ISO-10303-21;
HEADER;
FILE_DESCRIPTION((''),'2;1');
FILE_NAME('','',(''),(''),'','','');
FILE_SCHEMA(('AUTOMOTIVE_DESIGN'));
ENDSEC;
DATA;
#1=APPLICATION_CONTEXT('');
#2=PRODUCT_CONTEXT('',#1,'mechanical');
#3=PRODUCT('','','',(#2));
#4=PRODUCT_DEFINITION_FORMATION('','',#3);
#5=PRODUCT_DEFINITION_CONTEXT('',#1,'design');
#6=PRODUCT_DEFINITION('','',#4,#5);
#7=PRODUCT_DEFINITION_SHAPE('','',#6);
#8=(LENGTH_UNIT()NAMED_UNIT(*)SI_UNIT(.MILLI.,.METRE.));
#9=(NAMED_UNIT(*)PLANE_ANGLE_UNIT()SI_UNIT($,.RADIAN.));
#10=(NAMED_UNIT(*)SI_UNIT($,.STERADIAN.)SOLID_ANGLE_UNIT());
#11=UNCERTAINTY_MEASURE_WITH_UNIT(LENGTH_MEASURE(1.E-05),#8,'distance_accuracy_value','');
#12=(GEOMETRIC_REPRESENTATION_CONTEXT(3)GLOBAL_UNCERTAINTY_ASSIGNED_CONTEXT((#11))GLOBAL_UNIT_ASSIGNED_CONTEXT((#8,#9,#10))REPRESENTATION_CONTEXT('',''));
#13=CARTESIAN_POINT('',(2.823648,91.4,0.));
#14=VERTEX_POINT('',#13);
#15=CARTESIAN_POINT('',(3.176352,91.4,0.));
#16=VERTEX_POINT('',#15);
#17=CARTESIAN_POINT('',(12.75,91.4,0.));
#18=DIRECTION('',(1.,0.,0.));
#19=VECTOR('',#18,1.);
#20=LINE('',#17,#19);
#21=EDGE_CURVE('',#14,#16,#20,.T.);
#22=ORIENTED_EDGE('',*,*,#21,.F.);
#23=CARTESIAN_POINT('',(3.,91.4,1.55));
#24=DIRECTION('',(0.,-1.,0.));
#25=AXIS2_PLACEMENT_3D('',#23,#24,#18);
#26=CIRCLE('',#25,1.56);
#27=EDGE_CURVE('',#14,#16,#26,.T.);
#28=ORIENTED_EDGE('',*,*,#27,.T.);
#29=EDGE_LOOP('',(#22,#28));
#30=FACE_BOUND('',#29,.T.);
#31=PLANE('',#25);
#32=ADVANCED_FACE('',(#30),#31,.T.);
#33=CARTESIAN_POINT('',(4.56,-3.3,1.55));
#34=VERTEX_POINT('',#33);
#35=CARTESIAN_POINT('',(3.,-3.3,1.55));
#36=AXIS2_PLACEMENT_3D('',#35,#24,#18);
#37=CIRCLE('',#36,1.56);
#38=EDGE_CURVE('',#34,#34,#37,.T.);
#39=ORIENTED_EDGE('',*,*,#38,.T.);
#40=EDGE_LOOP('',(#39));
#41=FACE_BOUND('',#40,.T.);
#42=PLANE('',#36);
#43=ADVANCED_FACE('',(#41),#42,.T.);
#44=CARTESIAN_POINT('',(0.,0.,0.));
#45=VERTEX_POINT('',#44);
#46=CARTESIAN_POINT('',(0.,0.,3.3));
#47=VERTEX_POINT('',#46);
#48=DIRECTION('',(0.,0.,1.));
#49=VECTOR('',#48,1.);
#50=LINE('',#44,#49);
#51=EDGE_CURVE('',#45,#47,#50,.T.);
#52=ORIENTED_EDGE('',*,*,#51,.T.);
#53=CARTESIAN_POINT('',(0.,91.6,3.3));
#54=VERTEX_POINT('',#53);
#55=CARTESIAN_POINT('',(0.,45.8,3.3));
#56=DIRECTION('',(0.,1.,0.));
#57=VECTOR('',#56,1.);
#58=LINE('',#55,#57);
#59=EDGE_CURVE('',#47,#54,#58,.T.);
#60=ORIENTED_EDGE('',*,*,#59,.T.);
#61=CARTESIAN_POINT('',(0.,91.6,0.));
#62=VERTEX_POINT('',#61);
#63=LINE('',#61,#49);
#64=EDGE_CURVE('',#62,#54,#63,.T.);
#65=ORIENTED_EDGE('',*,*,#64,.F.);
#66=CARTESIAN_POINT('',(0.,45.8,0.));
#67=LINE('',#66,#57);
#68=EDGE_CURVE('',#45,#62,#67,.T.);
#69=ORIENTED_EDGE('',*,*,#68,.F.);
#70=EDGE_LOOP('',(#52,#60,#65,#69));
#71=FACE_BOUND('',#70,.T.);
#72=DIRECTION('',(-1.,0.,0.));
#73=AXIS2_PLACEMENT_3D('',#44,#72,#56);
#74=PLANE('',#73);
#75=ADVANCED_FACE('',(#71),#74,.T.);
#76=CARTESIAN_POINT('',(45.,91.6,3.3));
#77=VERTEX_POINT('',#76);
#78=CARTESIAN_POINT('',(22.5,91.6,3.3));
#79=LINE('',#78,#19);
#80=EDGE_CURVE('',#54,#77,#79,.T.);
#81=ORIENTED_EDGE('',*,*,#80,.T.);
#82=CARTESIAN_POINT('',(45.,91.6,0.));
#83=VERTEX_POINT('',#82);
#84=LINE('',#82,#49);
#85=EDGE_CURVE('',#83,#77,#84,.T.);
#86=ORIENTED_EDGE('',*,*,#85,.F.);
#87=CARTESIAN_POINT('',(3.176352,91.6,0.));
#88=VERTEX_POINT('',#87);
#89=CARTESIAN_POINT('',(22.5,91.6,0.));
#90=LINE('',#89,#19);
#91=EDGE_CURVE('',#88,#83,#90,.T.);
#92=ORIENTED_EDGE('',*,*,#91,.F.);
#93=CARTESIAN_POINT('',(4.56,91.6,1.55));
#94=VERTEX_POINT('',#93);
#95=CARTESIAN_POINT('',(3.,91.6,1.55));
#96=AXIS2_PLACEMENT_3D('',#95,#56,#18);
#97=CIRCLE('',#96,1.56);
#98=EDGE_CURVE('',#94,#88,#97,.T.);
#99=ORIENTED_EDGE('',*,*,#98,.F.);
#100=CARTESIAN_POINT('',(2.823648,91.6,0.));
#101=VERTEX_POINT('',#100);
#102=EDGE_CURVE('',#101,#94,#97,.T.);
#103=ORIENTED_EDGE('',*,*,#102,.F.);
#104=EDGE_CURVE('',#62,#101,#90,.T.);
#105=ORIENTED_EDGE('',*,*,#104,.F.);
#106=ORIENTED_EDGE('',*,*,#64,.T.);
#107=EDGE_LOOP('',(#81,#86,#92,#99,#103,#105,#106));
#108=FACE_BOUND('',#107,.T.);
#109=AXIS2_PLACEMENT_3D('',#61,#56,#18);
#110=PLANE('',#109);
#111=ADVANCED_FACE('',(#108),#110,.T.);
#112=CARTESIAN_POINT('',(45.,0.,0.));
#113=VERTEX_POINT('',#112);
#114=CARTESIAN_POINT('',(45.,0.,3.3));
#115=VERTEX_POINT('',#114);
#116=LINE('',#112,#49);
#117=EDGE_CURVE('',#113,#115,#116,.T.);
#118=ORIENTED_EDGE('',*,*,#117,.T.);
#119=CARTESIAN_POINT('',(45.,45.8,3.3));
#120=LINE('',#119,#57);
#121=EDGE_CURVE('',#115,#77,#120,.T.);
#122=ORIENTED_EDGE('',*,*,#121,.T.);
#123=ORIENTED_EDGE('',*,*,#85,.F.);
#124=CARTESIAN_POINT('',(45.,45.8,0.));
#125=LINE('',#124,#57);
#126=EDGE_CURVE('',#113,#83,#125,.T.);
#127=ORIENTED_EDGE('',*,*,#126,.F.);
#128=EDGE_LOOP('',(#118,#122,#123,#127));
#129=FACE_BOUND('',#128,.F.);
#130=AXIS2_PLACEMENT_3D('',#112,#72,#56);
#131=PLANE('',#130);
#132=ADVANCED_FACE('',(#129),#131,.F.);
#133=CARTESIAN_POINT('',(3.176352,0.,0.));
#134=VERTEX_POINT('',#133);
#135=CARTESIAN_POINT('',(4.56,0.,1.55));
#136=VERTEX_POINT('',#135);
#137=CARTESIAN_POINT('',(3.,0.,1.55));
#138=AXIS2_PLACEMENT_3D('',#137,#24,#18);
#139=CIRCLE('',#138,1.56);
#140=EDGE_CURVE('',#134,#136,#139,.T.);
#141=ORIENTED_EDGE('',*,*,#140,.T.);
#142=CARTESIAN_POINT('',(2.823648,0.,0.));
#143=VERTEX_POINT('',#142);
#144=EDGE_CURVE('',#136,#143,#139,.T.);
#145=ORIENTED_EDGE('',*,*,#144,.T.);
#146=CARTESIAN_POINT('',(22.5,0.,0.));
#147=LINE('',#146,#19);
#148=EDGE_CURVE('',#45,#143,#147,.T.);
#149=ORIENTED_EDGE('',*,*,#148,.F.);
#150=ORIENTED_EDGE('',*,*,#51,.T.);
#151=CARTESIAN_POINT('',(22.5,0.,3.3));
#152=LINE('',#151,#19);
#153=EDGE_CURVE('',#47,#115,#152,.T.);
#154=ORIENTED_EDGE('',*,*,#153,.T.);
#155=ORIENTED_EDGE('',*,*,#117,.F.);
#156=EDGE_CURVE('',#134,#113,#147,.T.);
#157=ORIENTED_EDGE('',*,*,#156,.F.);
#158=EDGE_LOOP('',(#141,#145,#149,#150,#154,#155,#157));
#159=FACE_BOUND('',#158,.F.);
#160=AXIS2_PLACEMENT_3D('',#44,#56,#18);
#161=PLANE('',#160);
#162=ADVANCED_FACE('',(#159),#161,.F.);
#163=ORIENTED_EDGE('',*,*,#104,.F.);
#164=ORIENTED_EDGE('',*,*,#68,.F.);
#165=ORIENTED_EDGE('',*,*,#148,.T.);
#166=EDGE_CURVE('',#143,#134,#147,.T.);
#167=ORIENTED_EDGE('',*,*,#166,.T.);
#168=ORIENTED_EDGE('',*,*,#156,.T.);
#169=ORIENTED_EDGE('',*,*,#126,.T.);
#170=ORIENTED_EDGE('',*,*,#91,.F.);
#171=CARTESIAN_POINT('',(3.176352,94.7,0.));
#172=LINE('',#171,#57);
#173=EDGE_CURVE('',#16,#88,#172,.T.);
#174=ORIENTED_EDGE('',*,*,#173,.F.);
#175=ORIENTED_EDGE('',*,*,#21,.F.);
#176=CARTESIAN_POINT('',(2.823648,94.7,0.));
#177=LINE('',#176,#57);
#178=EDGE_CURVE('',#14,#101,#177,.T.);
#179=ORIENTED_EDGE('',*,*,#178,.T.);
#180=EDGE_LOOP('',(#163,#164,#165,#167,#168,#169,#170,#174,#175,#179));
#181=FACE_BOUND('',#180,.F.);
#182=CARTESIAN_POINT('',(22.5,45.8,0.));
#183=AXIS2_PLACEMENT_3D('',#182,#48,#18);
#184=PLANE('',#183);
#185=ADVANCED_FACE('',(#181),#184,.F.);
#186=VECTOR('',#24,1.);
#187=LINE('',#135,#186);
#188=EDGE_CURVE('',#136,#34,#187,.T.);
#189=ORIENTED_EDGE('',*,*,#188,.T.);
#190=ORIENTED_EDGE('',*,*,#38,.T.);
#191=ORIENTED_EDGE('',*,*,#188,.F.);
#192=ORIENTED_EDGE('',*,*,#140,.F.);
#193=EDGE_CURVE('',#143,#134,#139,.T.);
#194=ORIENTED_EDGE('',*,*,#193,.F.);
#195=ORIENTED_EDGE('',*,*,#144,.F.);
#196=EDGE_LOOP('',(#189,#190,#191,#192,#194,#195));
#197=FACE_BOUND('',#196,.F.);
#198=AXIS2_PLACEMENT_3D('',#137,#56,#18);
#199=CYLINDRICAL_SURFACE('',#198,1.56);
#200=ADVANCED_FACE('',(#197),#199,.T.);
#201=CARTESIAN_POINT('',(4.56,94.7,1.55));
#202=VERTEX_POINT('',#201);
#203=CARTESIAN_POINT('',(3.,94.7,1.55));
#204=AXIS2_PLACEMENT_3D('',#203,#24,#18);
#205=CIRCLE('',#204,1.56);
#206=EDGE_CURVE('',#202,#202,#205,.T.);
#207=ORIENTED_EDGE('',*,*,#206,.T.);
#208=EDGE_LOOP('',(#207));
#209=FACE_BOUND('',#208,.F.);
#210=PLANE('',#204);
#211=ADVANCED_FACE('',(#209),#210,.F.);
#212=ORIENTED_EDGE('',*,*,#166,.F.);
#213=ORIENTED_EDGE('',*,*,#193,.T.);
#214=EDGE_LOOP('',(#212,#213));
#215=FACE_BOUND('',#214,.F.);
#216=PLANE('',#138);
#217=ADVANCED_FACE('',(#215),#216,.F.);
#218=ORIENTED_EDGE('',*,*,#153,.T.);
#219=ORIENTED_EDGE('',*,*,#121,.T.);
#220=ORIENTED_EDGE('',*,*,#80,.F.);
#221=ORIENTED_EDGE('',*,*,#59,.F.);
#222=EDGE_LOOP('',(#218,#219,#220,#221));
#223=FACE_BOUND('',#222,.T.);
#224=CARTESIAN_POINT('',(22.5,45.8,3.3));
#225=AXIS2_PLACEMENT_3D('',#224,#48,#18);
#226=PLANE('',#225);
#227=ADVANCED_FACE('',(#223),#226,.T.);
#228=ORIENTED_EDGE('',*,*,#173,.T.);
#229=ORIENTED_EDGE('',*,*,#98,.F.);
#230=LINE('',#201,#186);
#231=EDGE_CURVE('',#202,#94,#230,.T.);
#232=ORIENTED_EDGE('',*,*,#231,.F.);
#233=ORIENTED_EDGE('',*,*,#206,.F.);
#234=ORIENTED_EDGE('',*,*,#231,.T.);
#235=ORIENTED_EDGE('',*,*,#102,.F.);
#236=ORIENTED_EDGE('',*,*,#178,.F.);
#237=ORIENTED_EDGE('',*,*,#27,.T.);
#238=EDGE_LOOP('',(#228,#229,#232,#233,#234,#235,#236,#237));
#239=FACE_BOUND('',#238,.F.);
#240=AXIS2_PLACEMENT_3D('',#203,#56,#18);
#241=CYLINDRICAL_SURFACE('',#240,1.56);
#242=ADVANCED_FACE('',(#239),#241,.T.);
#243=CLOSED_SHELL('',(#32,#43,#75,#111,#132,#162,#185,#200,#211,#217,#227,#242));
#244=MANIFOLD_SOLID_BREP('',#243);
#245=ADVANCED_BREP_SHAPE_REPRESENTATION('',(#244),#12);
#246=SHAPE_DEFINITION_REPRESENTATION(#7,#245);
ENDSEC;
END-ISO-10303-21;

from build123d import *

# Parameters (mm, degrees)
BOX_W             = 45
BOX_H             = 91.6
BOX_DEPTH         = 3.3
CYLINDER_R        = 1.56
CYLINDER_DEPTH    = 3.3
CYLINDER001_R     = 1.56
CYLINDER001_DEPTH = 3.3


with BuildPart() as part:
    # Box → Box (join)
    with BuildSketch(Plane.XY):
        with Locations((22.5, 45.8)):
            Rectangle(BOX_W, BOX_H)
    extrude(amount=BOX_DEPTH)

    # Cylinder → Cylinder (join)
    with BuildSketch(Plane(origin=(3, 0, 1.55), x_dir=(1, 0, 0), z_dir=(0, -1, 0))):
        Circle(CYLINDER_R)
    extrude(amount=CYLINDER_DEPTH)

    # Cylinder001 → Cylinder001 (join)
    with BuildSketch(Plane(origin=(3, 94.7, 1.55), x_dir=(1, 0, 0), z_dir=(0, -1, 0))):
        Circle(CYLINDER001_R)
    extrude(amount=CYLINDER001_DEPTH)


solid = part.part
